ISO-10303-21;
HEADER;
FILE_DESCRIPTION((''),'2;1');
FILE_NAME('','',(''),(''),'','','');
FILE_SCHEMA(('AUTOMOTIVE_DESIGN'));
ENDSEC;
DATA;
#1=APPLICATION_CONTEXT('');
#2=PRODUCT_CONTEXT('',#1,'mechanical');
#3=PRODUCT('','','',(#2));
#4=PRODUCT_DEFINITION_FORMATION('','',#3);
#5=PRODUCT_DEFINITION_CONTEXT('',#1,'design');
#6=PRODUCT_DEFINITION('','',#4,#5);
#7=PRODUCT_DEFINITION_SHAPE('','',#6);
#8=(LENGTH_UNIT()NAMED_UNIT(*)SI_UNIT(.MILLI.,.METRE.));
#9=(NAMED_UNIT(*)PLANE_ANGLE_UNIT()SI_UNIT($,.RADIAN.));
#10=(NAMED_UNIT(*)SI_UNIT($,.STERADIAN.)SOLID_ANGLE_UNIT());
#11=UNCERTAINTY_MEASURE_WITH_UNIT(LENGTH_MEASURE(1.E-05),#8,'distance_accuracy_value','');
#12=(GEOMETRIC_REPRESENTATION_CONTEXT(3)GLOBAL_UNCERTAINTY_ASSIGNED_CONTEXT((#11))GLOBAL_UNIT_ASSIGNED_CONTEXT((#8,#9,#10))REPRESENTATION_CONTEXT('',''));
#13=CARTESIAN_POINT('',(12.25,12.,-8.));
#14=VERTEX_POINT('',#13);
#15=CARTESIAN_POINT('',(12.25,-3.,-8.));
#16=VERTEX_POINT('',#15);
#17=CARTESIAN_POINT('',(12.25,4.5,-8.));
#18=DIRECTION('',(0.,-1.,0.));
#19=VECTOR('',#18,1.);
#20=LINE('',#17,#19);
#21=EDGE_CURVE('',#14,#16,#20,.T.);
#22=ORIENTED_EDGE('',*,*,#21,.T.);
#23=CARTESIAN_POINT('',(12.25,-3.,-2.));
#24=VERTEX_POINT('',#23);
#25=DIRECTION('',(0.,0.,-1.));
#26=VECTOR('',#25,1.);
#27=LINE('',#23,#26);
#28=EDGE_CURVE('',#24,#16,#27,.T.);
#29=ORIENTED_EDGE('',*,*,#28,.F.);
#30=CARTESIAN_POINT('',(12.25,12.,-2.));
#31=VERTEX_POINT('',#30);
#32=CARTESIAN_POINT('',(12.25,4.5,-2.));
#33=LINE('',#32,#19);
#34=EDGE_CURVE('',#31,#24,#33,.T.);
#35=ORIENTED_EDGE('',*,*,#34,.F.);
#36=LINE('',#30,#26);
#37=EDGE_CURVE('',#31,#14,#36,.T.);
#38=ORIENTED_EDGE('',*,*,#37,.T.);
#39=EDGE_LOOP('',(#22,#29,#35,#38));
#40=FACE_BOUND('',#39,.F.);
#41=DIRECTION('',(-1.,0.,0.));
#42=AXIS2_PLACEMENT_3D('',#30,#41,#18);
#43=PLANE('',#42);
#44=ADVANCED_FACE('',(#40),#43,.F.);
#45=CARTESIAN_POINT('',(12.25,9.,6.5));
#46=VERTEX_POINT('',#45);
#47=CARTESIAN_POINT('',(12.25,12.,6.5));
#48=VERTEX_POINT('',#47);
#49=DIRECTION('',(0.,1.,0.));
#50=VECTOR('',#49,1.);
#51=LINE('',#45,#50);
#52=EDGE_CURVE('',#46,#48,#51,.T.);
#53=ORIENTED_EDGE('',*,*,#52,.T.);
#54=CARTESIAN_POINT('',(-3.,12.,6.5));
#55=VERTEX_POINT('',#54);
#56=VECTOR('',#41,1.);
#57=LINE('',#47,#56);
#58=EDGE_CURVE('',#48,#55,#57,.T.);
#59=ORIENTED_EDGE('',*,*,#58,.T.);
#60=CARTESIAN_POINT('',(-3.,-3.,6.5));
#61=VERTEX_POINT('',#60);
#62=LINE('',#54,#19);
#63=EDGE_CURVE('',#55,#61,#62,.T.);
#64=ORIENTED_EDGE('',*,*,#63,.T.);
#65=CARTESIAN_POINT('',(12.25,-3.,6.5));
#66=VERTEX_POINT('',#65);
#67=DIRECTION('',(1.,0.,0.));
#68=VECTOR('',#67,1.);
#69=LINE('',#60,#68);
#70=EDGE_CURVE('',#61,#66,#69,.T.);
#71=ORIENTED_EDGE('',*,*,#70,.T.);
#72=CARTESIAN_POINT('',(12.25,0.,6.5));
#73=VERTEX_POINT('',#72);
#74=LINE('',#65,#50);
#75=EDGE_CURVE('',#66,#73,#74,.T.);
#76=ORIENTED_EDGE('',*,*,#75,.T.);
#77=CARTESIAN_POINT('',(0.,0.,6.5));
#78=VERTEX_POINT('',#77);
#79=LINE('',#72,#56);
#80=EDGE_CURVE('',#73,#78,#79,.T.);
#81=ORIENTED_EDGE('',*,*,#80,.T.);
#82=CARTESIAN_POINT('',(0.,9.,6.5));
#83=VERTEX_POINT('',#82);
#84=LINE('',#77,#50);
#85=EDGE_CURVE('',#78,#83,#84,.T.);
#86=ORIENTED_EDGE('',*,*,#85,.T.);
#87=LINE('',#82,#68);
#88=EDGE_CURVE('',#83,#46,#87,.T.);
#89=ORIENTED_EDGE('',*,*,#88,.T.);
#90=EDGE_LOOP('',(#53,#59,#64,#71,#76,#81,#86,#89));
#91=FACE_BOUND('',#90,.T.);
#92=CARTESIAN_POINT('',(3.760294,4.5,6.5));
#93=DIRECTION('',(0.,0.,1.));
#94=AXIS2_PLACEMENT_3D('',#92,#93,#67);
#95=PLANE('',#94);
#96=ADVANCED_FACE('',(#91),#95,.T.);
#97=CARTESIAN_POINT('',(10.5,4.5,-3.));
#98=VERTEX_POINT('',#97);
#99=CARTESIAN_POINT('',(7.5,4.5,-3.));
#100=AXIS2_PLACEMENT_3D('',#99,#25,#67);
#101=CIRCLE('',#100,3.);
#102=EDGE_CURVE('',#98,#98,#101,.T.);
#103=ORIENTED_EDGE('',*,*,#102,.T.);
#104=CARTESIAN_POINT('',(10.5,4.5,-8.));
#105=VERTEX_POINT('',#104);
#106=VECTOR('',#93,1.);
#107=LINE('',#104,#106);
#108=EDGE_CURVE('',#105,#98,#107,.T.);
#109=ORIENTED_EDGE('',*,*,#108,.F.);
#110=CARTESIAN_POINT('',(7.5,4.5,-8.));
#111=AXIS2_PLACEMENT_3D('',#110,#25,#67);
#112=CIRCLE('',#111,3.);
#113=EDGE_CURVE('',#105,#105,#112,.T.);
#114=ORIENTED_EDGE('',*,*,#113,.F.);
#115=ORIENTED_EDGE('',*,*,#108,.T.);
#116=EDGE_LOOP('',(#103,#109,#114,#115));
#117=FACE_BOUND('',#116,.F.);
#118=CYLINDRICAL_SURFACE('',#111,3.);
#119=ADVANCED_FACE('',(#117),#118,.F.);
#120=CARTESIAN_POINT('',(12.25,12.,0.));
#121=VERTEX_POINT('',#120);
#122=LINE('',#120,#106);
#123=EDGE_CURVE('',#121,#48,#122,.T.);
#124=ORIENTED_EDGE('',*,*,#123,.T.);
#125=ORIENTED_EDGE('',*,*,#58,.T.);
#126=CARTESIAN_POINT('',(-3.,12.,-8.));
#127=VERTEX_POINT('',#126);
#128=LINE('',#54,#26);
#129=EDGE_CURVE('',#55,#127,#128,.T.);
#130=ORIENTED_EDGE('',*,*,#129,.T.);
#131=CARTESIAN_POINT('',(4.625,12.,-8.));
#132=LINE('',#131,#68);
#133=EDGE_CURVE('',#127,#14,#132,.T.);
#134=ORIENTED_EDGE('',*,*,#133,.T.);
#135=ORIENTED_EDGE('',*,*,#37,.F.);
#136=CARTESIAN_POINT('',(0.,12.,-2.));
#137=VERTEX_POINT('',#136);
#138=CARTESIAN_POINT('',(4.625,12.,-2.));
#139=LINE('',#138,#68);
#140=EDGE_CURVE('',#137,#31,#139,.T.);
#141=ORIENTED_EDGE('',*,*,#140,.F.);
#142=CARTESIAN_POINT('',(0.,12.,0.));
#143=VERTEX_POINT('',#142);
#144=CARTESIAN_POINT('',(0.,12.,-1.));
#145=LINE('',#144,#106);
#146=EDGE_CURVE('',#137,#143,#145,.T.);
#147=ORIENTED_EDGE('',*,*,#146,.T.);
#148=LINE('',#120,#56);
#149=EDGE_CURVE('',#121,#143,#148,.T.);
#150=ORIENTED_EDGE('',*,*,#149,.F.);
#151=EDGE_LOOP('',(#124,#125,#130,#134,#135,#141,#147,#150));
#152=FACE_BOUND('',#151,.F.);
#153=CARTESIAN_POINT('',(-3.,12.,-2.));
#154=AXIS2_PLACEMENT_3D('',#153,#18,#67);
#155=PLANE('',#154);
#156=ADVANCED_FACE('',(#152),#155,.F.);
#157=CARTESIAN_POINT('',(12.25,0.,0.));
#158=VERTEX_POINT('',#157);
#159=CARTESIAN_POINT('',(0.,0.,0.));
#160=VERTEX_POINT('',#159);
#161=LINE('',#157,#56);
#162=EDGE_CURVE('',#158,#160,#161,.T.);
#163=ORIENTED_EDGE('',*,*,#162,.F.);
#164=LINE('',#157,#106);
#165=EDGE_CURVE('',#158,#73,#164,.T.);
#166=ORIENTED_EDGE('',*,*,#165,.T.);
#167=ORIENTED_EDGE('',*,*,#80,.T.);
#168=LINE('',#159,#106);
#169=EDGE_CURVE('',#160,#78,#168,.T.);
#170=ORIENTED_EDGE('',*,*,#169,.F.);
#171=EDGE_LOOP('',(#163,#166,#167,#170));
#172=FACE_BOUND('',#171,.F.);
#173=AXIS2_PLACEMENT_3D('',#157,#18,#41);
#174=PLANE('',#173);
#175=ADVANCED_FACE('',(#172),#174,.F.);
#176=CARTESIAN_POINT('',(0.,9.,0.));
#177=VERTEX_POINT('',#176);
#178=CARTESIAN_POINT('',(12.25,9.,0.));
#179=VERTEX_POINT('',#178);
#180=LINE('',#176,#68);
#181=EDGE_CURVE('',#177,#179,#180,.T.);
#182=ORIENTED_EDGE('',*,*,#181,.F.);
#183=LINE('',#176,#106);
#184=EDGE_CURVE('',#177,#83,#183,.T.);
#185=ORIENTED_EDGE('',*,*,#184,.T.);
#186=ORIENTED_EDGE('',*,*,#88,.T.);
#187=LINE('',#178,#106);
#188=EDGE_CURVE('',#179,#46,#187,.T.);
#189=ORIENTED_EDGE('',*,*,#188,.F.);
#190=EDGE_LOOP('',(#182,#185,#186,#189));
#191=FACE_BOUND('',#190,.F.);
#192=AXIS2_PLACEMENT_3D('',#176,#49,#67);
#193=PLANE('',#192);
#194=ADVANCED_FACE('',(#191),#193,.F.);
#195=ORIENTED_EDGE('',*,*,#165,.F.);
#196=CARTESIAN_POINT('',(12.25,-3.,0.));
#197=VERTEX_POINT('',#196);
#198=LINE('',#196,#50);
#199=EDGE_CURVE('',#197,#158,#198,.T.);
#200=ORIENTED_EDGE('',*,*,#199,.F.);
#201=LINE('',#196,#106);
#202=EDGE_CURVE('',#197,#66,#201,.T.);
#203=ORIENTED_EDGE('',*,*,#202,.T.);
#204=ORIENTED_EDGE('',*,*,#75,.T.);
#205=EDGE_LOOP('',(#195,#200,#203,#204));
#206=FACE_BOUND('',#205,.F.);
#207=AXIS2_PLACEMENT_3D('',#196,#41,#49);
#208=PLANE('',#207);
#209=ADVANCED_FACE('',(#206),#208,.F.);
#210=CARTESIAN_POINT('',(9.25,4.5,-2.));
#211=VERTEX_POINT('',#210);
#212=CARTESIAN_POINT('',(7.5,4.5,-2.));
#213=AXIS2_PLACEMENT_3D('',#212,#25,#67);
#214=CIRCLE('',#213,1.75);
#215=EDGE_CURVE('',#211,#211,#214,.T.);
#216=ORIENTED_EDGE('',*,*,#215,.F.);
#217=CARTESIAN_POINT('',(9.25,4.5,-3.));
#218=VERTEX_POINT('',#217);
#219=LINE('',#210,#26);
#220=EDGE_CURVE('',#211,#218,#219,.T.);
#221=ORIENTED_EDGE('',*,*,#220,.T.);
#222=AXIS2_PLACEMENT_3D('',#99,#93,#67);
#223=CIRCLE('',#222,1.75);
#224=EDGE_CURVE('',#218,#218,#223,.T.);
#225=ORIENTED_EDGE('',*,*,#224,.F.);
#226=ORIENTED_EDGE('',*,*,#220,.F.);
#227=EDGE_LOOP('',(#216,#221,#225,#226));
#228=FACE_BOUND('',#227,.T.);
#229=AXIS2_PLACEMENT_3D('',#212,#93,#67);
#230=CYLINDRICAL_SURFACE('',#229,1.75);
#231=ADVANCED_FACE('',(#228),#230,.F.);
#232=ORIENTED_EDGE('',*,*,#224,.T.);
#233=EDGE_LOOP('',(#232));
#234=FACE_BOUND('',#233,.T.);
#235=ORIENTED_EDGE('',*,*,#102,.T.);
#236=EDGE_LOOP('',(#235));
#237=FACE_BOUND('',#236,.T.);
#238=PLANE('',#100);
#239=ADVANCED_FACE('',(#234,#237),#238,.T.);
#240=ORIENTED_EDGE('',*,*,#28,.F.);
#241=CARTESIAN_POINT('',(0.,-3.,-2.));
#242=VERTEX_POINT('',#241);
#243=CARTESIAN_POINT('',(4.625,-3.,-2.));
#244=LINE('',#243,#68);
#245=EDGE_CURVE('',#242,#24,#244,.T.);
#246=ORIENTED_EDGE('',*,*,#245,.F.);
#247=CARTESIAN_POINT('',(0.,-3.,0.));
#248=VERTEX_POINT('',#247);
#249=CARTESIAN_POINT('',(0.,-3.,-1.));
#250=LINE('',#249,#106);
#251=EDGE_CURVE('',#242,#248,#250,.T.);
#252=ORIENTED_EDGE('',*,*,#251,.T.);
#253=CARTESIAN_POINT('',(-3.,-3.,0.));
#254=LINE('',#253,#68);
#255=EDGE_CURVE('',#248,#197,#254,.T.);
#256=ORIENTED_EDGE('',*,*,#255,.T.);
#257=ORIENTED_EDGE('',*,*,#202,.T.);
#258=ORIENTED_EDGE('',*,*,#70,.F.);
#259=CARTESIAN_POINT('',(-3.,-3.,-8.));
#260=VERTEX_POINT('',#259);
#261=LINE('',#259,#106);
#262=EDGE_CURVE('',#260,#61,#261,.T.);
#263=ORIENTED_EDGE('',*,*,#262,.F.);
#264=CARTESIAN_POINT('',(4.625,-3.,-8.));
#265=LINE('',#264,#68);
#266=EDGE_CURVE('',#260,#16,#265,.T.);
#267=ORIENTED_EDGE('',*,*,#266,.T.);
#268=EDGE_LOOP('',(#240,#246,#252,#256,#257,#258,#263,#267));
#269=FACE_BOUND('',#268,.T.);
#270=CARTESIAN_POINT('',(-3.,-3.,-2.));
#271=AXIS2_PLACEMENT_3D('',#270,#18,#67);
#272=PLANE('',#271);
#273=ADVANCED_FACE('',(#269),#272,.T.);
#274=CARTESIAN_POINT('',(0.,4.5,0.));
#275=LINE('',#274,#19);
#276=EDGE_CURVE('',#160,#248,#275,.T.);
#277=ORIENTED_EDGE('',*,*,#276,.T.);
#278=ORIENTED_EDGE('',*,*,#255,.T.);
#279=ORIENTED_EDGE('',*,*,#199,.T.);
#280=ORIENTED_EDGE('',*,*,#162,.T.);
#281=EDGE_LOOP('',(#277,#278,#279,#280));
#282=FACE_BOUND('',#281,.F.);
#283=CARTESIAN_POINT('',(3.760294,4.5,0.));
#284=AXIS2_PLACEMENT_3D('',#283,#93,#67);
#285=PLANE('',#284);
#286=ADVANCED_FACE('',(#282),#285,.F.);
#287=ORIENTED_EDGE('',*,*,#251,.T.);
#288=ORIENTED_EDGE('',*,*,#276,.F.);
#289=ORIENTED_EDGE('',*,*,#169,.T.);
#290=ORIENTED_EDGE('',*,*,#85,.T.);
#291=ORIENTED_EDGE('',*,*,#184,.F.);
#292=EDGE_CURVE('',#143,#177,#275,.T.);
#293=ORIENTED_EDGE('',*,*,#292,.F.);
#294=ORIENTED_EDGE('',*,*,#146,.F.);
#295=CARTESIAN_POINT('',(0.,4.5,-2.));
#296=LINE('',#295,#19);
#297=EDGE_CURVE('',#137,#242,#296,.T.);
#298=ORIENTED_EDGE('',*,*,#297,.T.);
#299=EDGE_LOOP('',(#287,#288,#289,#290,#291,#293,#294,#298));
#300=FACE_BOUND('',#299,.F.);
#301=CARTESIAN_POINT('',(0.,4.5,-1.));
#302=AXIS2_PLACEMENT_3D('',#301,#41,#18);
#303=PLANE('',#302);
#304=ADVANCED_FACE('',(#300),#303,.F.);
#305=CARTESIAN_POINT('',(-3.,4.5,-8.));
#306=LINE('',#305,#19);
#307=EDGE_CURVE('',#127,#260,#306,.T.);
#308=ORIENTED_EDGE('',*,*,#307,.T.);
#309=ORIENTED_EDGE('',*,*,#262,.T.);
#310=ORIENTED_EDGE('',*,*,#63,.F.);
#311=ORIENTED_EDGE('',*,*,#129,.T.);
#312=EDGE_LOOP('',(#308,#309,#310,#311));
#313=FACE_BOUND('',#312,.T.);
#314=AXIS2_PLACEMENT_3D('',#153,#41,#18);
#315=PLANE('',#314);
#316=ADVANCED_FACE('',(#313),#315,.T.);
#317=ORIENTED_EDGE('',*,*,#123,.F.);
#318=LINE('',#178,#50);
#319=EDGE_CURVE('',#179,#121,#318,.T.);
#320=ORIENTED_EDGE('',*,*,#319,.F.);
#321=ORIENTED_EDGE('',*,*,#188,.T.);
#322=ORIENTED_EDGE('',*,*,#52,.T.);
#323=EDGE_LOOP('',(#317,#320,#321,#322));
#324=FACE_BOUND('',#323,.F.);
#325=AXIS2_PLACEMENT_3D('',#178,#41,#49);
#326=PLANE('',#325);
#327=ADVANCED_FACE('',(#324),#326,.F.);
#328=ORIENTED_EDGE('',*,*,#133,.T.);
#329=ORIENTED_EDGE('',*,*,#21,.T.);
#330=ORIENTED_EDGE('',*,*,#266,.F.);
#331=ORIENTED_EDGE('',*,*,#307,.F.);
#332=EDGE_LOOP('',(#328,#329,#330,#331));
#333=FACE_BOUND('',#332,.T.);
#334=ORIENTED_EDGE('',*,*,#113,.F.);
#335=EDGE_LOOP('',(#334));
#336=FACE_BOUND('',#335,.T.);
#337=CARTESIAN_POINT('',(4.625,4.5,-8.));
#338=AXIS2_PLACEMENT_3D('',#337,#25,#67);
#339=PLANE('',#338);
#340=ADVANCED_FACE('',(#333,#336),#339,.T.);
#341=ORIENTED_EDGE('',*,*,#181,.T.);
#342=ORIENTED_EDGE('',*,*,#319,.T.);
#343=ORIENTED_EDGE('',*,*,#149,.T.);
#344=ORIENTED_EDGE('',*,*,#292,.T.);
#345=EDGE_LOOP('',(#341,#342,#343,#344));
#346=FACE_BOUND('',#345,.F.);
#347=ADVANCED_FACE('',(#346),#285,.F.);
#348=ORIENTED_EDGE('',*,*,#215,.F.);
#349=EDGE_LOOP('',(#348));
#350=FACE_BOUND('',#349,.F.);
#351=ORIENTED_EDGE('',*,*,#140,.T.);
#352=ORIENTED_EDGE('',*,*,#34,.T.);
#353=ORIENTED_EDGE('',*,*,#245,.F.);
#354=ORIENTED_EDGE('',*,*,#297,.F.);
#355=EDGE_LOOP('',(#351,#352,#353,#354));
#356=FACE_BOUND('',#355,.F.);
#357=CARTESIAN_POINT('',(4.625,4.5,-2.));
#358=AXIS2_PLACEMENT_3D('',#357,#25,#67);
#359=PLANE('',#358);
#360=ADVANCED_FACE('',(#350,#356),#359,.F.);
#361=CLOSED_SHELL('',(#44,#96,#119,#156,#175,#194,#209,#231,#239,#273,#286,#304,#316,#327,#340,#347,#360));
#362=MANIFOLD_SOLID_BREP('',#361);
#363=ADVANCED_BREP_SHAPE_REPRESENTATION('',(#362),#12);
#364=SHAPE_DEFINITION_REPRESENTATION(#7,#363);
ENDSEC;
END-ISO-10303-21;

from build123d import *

# Parameters (mm, degrees)
PAD_DEPTH    = 6.5
SKETCH001_W  = 15
SKETCH001_H  = 2
PAD001_DEPTH = 3
SKETCH002_W  = 15.25
SKETCH002_H  = 15
SKETCH002_R  = 1.75
PAD002_DEPTH = 6
SKETCH003_R  = 3
POCKET_DEPTH = 5


with BuildPart() as part:
    # Sketch → Pad (new body)
    with BuildSketch(Plane.XY):
        Polygon((0, 9), (12.25, 9), (12.25, 12), (-3, 12), (-3, -3), (12.25, -3), (12.25, 0), (0, 0), align=None)
    extrude(amount=PAD_DEPTH)

    # Sketch001 (on Face5 of Pad) → Pad001 (join)
    with BuildSketch(Plane(origin=(-3, 0, 0), x_dir=(0, -1, 0), z_dir=(-1, 0, 0))):
        with Locations((-4.5, -1)):
            Rectangle(SKETCH001_W, SKETCH001_H)
    extrude(amount=-PAD001_DEPTH)

    # Sketch002 (on Face11 of Pad001) → Pad002 (join)
    with BuildSketch(Plane(origin=(0, 0, -2), x_dir=(1, 0, 0), z_dir=(0, 0, -1))):
        with Locations((4.625, -4.5)):
            Rectangle(SKETCH002_W, SKETCH002_H)
        with Locations((7.5, -4.5)):
            Circle(SKETCH002_R, mode=Mode.SUBTRACT)
    extrude(amount=PAD002_DEPTH)

    # Sketch003 (on Face22 of Pad002) → Pocket (cut)
    with BuildSketch(Plane(origin=(0, 0, -8), x_dir=(1, 0, 0), z_dir=(0, 0, -1))):
        with Locations((7.5, -4.5)):
            Circle(SKETCH003_R)
    extrude(amount=-POCKET_DEPTH, mode=Mode.SUBTRACT)


solid = part.part
